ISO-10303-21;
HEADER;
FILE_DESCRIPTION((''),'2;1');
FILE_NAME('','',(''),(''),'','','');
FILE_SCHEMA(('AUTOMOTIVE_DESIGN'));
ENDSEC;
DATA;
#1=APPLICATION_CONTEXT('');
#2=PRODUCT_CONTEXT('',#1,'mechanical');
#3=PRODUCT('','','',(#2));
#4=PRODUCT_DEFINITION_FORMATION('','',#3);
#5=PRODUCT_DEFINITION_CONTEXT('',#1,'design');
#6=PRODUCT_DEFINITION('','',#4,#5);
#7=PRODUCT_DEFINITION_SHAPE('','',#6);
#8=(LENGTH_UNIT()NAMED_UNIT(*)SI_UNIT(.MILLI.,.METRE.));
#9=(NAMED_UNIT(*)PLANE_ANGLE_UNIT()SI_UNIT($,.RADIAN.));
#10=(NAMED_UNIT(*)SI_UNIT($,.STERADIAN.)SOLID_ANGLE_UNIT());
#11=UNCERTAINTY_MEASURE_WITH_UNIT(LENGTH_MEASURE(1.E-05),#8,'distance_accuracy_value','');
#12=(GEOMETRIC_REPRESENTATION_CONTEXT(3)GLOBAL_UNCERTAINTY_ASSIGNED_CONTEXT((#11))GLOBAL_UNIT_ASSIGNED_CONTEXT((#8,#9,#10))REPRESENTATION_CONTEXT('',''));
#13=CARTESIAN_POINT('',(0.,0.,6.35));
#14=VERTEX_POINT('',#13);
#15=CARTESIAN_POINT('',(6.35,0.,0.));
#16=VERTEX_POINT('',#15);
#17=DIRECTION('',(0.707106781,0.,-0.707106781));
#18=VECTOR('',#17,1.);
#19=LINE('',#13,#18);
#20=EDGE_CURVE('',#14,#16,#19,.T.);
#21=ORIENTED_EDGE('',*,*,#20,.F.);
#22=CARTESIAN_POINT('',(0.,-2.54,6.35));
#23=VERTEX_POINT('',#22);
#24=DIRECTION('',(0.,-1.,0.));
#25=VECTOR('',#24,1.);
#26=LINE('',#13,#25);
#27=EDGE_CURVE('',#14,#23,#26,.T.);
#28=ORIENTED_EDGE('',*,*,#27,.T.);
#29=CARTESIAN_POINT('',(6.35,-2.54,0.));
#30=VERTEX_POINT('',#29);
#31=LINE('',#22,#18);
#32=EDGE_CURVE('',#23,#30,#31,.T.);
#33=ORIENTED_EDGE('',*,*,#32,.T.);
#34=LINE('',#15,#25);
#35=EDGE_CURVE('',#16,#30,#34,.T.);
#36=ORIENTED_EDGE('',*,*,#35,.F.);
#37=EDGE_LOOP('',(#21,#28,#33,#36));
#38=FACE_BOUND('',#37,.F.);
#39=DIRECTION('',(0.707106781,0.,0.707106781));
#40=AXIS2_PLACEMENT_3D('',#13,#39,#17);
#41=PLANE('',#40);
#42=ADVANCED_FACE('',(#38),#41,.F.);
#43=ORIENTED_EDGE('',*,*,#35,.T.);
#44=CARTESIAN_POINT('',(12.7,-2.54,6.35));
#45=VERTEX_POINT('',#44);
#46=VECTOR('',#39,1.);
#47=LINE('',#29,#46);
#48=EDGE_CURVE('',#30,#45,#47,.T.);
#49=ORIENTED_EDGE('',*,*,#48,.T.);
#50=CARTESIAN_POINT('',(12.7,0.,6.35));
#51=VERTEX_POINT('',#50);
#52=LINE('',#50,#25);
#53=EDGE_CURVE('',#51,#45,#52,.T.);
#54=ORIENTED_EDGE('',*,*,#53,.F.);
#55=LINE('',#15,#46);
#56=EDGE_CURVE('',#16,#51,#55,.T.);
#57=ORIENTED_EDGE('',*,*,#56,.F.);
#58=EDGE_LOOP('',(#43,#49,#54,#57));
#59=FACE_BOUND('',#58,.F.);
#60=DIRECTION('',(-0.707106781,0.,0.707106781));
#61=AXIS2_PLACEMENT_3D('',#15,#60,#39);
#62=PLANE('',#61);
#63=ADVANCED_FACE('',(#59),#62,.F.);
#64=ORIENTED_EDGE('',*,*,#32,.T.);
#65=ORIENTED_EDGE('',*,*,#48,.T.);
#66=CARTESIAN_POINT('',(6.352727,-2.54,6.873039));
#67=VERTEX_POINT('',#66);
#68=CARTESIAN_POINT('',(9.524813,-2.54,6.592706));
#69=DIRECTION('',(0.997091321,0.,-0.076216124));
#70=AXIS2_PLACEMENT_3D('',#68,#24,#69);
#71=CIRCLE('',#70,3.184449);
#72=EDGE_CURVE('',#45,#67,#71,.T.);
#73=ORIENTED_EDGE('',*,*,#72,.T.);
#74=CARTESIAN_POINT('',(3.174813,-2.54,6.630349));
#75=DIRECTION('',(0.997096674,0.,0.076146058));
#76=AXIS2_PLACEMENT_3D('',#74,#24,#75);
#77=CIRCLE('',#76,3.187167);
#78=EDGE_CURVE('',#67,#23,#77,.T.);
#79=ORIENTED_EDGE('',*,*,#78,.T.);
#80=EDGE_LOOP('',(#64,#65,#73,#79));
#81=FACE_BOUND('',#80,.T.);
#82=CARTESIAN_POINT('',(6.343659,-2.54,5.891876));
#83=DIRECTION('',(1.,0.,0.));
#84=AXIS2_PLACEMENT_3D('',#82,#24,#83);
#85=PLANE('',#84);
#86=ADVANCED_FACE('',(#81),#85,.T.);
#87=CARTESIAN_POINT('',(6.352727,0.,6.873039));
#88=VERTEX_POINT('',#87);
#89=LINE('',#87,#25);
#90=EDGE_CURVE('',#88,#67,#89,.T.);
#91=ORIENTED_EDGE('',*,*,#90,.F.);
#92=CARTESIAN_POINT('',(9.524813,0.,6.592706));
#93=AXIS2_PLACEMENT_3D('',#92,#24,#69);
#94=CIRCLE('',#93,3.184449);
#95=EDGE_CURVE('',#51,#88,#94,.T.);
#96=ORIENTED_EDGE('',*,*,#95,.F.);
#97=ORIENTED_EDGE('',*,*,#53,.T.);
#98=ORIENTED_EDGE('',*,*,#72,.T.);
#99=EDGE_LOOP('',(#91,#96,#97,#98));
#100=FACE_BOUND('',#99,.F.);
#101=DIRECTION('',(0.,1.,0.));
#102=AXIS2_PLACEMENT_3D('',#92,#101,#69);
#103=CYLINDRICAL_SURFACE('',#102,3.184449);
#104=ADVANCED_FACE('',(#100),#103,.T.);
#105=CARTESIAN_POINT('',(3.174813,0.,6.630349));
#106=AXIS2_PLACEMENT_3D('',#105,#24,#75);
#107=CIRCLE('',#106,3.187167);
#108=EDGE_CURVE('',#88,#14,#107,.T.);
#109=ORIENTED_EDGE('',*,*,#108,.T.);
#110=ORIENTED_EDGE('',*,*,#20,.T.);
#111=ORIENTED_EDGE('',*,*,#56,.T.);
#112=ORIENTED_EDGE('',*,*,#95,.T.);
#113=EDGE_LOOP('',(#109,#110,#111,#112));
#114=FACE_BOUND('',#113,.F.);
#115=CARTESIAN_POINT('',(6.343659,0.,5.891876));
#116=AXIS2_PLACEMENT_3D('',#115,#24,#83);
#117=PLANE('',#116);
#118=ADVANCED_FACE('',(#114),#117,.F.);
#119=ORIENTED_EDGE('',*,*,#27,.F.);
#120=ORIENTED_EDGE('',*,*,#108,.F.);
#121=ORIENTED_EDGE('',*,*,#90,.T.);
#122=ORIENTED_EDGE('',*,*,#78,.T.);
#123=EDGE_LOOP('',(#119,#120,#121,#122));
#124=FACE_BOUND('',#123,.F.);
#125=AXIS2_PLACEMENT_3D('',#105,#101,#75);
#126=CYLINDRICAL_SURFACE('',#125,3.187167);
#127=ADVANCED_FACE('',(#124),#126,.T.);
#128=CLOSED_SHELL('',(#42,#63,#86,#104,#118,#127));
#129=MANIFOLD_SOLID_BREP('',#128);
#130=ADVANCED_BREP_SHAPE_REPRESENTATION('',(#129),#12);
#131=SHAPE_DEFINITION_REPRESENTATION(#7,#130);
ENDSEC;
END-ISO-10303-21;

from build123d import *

# Parameters (mm, degrees)
F1_DEPTH = 2.54


with BuildPart() as f1:
    # F0 (on Front) → F1 (new body)
    with BuildSketch(Plane.XZ):
        with BuildLine():
            ThreePointArc((6.3527270327, 6.8730393128), (2.9132889801, 9.8067684212), (0, 6.35))
            Line((0, 6.35), (6.35, 0))
            Line((6.35, 0), (12.7, 6.35))
            ThreePointArc((12.7, 6.35), (9.7863374828, 9.7663986292), (6.3527270327, 6.8730393128))
        make_face()
        with BuildLine():
            ThreePointArc((6.3496264629, 6.35), (6.340419873, 6.611583423), (6.3527270327, 6.8730393128))
            ThreePointArc((6.3527270327, 6.8730393128), (6.3619244185, 6.6114559444), (6.3496264629, 6.35))
        make_face(mode=Mode.SUBTRACT)
        with BuildLine():
            ThreePointArc((6.3496264629, 6.35), (6.3619244185, 6.6114559444), (6.3527270327, 6.8730393128))
            ThreePointArc((6.3527270327, 6.8730393128), (6.340419873, 6.611583423), (6.3496264629, 6.35))
        make_face()
    extrude(amount=F1_DEPTH)


solid = f1.part
